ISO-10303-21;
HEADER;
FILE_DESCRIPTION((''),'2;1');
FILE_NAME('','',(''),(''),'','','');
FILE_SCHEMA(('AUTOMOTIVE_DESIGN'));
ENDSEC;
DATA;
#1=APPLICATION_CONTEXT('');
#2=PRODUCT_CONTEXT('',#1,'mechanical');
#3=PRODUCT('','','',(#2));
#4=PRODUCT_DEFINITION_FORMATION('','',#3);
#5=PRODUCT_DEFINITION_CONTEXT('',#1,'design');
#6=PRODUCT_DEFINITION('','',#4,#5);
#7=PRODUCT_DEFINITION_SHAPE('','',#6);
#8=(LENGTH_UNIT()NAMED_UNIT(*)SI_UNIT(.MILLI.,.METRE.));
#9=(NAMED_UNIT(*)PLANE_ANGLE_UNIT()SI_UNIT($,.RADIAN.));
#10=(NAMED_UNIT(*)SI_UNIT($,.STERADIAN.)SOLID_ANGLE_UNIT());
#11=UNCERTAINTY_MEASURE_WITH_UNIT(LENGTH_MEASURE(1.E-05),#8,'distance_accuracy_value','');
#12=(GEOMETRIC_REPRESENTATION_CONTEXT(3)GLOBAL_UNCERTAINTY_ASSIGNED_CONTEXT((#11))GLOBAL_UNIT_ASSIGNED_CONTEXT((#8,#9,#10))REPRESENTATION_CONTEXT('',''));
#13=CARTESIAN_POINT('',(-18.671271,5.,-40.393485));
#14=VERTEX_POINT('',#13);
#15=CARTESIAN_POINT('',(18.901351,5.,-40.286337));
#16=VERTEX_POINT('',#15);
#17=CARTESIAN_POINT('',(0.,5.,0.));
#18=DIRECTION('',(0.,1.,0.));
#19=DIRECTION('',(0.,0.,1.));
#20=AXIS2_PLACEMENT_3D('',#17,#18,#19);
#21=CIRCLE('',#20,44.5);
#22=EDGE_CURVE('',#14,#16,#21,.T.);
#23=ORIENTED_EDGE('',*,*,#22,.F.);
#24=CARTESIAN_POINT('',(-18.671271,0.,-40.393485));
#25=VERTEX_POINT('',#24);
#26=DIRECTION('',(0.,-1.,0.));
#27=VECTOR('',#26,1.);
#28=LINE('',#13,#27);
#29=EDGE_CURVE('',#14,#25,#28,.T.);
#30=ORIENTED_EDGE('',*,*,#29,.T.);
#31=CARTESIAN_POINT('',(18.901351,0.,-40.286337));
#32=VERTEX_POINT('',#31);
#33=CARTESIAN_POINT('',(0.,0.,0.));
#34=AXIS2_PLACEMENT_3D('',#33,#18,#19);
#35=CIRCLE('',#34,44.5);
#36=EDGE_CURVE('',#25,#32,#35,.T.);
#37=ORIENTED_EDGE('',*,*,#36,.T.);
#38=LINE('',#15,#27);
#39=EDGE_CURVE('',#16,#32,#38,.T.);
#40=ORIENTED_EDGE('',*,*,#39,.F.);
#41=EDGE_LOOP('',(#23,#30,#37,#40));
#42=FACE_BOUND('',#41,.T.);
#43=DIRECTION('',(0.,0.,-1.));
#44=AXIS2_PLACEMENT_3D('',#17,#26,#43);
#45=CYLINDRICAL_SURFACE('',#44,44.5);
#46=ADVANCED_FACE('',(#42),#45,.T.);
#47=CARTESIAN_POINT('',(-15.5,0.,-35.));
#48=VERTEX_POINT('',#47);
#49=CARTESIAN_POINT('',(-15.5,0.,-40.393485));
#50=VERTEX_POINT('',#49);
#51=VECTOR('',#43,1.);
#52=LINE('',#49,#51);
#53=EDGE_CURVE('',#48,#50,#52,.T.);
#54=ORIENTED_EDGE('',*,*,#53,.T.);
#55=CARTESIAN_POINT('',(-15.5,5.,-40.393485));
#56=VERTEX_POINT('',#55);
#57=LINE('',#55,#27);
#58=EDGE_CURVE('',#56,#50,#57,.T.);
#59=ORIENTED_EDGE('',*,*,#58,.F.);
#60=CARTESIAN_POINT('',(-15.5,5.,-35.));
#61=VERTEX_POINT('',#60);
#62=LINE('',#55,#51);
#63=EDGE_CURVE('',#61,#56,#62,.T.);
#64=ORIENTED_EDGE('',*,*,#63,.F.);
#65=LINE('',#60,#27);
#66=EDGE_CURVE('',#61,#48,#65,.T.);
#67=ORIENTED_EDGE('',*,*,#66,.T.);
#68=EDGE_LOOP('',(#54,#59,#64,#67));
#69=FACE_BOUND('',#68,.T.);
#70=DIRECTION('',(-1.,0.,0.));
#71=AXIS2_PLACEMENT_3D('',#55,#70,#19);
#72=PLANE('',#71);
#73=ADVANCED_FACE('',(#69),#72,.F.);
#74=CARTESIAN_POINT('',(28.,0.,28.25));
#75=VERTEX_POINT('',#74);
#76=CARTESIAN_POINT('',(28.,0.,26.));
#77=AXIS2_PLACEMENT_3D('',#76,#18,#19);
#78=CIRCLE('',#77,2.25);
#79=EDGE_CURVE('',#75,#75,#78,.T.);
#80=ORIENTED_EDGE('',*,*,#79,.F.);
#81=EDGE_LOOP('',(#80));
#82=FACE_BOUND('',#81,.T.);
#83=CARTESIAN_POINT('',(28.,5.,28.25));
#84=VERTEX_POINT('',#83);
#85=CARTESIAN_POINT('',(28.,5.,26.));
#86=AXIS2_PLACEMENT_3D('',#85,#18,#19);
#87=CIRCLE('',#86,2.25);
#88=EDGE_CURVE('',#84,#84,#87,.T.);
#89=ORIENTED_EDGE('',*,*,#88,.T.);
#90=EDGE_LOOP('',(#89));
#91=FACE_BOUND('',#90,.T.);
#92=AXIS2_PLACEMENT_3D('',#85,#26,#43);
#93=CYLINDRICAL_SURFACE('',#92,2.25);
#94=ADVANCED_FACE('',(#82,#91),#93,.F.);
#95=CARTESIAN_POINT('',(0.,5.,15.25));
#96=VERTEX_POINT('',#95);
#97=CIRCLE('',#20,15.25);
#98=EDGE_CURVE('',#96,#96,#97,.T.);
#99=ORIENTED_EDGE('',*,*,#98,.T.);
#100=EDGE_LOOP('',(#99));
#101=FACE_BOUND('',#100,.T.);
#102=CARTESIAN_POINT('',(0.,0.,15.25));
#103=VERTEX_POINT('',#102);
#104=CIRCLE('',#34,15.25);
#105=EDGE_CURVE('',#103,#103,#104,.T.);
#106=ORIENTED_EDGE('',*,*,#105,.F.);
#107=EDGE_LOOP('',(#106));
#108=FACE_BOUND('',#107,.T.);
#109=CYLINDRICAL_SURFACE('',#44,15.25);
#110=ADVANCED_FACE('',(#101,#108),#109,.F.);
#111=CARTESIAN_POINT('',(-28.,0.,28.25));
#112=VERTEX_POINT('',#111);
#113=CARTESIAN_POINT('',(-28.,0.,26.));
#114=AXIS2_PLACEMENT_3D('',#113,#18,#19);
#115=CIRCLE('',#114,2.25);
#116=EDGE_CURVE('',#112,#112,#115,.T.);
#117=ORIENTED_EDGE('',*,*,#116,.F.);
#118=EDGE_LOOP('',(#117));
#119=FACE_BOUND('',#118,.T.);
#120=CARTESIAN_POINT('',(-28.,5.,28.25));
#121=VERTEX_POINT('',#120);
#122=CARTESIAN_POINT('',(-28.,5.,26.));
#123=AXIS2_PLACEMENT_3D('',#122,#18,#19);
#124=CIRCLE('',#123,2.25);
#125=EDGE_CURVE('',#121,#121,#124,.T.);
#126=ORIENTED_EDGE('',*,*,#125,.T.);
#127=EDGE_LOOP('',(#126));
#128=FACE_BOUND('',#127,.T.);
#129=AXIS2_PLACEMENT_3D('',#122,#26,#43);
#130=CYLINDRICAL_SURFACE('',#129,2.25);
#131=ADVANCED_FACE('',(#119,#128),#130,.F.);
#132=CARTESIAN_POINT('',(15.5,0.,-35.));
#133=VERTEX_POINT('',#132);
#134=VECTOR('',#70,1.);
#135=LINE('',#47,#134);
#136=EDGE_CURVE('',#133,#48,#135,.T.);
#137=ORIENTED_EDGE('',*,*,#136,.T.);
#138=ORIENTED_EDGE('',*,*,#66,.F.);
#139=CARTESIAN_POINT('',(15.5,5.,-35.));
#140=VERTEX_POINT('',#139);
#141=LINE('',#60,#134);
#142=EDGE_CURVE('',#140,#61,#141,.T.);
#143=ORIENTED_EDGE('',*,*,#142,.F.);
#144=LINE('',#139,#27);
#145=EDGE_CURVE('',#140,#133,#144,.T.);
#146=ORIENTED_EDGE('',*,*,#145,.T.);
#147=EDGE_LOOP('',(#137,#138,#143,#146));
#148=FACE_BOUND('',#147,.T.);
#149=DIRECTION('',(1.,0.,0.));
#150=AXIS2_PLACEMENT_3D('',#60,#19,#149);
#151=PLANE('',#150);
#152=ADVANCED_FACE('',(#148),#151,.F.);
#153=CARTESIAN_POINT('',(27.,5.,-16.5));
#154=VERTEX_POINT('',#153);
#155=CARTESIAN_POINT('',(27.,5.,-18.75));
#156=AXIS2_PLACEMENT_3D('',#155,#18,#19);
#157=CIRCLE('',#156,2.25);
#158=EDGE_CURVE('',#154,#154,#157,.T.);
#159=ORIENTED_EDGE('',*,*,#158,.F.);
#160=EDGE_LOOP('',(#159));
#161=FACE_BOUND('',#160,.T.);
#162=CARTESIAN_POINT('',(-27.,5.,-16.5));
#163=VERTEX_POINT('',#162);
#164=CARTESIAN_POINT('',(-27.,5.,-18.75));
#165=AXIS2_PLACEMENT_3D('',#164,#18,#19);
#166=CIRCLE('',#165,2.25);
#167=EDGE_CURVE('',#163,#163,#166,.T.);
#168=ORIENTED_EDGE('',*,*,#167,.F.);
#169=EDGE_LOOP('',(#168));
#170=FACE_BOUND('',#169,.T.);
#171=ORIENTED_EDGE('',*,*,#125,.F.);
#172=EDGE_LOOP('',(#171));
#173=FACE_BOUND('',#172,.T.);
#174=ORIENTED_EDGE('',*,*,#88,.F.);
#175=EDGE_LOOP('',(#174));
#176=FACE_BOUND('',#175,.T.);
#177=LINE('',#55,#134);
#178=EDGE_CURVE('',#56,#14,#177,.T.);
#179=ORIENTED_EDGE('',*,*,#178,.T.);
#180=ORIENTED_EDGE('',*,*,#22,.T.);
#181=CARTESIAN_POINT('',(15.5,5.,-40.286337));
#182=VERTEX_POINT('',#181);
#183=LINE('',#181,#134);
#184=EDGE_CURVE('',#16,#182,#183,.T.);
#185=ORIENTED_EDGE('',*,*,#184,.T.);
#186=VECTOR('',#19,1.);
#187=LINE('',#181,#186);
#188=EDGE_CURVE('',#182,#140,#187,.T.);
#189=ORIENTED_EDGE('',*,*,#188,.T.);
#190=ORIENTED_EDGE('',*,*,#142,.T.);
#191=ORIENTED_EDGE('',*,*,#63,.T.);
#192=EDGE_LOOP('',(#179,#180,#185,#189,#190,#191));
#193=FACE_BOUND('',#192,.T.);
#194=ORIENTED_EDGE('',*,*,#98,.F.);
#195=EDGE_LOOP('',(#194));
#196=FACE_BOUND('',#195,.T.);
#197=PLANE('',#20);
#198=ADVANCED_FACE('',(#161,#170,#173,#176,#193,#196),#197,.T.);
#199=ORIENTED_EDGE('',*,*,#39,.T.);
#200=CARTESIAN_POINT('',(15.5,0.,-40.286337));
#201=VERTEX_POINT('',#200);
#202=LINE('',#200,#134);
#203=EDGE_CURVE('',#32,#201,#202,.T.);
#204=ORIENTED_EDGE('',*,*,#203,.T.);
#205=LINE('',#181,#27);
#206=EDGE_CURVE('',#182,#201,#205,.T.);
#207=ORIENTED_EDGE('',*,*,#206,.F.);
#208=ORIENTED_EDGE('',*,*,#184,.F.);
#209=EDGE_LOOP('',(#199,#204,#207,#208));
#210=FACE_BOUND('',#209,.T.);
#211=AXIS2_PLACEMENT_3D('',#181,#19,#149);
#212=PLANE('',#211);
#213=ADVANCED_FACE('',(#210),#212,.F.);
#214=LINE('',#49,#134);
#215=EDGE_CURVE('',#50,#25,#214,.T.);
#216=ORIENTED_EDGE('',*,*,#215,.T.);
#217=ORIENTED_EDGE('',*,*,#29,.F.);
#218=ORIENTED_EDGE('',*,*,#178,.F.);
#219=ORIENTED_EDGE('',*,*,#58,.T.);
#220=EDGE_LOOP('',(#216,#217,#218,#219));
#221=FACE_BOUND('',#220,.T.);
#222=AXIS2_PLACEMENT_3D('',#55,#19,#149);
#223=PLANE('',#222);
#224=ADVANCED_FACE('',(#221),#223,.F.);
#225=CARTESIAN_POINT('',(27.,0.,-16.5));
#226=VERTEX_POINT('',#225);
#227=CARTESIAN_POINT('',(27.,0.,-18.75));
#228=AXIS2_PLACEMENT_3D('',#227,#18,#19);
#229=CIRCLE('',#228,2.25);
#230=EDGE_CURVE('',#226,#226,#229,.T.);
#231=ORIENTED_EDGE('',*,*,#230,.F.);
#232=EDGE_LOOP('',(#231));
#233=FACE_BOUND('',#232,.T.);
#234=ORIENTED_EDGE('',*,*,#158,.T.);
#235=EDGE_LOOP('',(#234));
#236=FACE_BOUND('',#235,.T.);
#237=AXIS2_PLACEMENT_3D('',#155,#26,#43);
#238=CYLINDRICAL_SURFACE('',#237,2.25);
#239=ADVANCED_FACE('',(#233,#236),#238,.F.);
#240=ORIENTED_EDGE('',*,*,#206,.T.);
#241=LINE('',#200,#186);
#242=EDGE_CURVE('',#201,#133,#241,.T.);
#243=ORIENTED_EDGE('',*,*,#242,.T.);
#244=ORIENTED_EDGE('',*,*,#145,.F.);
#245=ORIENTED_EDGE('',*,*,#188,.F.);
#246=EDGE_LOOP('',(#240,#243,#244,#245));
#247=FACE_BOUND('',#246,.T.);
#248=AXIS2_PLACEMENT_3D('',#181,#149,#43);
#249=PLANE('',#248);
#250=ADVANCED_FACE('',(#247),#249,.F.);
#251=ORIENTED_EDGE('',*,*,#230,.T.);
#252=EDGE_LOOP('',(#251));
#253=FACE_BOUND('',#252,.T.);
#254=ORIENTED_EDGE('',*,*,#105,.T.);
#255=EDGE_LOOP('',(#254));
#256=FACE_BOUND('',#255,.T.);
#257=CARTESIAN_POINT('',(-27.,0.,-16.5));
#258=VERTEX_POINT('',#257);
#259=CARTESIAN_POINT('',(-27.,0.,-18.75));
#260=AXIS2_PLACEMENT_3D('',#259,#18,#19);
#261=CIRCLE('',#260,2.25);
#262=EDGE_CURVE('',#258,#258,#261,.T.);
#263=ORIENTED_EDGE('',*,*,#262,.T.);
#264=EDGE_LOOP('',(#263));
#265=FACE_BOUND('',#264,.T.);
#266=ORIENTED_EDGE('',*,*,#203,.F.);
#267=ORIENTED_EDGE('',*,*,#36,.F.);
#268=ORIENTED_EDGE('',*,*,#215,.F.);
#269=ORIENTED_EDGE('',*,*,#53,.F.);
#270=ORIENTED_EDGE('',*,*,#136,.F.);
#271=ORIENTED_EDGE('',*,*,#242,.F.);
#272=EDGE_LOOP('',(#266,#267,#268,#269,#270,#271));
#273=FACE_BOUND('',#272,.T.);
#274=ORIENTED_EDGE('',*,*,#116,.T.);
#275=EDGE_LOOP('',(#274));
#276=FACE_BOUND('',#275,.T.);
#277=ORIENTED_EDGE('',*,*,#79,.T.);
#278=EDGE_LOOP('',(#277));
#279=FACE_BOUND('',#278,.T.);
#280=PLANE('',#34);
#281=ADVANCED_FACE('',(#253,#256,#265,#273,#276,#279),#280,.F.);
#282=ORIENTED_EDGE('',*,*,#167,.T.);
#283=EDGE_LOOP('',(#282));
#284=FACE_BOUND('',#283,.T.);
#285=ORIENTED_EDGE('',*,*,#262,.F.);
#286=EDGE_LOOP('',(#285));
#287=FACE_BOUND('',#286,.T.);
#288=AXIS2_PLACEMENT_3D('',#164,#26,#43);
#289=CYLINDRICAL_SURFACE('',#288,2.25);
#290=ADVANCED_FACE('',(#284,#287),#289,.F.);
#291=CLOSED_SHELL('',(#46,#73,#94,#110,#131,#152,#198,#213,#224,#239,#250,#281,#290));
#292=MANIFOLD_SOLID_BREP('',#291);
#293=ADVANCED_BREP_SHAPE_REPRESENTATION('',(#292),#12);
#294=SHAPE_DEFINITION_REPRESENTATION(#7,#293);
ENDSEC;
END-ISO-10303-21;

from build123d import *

# Parameters (mm, degrees)
SKETCH_2_R      = 15.25
SKETCH_2_R_2    = 2.25
EXTRUDE_1_DEPTH = 5


with BuildPart() as part:
    # Эскиз2 → Бобышка-Вытянуть1 (new body)
    with BuildSketch(Plane(origin=(0, 0, 0), x_dir=(1, 0, 0), z_dir=(0, 1, 0))):
        with BuildLine():
            Line((-15.5, 35), (15.5, 35))
            Line((15.5, 35), (15.5, 40.286336603))
            Line((15.5, 40.286336603), (18.901351356, 40.286336603))
            ThreePointArc((18.901351356, 40.286336603), (-0.126903456, -44.49981905), (-18.671270685, 40.393485254))
            Line((-18.671270685, 40.393485254), (-15.5, 40.393485254))
            Line((-15.5, 40.393485254), (-15.5, 35))
        make_face()
        Circle(SKETCH_2_R, mode=Mode.SUBTRACT)
        with Locations((-27, 18.75)):
            Circle(SKETCH_2_R_2, mode=Mode.SUBTRACT)
        with Locations((27, 18.75)):
            Circle(SKETCH_2_R_2, mode=Mode.SUBTRACT)
        with Locations((28, -26)):
            Circle(SKETCH_2_R_2, mode=Mode.SUBTRACT)
        with Locations((-28, -26)):
            Circle(SKETCH_2_R_2, mode=Mode.SUBTRACT)
    extrude(amount=EXTRUDE_1_DEPTH)


solid = part.part
